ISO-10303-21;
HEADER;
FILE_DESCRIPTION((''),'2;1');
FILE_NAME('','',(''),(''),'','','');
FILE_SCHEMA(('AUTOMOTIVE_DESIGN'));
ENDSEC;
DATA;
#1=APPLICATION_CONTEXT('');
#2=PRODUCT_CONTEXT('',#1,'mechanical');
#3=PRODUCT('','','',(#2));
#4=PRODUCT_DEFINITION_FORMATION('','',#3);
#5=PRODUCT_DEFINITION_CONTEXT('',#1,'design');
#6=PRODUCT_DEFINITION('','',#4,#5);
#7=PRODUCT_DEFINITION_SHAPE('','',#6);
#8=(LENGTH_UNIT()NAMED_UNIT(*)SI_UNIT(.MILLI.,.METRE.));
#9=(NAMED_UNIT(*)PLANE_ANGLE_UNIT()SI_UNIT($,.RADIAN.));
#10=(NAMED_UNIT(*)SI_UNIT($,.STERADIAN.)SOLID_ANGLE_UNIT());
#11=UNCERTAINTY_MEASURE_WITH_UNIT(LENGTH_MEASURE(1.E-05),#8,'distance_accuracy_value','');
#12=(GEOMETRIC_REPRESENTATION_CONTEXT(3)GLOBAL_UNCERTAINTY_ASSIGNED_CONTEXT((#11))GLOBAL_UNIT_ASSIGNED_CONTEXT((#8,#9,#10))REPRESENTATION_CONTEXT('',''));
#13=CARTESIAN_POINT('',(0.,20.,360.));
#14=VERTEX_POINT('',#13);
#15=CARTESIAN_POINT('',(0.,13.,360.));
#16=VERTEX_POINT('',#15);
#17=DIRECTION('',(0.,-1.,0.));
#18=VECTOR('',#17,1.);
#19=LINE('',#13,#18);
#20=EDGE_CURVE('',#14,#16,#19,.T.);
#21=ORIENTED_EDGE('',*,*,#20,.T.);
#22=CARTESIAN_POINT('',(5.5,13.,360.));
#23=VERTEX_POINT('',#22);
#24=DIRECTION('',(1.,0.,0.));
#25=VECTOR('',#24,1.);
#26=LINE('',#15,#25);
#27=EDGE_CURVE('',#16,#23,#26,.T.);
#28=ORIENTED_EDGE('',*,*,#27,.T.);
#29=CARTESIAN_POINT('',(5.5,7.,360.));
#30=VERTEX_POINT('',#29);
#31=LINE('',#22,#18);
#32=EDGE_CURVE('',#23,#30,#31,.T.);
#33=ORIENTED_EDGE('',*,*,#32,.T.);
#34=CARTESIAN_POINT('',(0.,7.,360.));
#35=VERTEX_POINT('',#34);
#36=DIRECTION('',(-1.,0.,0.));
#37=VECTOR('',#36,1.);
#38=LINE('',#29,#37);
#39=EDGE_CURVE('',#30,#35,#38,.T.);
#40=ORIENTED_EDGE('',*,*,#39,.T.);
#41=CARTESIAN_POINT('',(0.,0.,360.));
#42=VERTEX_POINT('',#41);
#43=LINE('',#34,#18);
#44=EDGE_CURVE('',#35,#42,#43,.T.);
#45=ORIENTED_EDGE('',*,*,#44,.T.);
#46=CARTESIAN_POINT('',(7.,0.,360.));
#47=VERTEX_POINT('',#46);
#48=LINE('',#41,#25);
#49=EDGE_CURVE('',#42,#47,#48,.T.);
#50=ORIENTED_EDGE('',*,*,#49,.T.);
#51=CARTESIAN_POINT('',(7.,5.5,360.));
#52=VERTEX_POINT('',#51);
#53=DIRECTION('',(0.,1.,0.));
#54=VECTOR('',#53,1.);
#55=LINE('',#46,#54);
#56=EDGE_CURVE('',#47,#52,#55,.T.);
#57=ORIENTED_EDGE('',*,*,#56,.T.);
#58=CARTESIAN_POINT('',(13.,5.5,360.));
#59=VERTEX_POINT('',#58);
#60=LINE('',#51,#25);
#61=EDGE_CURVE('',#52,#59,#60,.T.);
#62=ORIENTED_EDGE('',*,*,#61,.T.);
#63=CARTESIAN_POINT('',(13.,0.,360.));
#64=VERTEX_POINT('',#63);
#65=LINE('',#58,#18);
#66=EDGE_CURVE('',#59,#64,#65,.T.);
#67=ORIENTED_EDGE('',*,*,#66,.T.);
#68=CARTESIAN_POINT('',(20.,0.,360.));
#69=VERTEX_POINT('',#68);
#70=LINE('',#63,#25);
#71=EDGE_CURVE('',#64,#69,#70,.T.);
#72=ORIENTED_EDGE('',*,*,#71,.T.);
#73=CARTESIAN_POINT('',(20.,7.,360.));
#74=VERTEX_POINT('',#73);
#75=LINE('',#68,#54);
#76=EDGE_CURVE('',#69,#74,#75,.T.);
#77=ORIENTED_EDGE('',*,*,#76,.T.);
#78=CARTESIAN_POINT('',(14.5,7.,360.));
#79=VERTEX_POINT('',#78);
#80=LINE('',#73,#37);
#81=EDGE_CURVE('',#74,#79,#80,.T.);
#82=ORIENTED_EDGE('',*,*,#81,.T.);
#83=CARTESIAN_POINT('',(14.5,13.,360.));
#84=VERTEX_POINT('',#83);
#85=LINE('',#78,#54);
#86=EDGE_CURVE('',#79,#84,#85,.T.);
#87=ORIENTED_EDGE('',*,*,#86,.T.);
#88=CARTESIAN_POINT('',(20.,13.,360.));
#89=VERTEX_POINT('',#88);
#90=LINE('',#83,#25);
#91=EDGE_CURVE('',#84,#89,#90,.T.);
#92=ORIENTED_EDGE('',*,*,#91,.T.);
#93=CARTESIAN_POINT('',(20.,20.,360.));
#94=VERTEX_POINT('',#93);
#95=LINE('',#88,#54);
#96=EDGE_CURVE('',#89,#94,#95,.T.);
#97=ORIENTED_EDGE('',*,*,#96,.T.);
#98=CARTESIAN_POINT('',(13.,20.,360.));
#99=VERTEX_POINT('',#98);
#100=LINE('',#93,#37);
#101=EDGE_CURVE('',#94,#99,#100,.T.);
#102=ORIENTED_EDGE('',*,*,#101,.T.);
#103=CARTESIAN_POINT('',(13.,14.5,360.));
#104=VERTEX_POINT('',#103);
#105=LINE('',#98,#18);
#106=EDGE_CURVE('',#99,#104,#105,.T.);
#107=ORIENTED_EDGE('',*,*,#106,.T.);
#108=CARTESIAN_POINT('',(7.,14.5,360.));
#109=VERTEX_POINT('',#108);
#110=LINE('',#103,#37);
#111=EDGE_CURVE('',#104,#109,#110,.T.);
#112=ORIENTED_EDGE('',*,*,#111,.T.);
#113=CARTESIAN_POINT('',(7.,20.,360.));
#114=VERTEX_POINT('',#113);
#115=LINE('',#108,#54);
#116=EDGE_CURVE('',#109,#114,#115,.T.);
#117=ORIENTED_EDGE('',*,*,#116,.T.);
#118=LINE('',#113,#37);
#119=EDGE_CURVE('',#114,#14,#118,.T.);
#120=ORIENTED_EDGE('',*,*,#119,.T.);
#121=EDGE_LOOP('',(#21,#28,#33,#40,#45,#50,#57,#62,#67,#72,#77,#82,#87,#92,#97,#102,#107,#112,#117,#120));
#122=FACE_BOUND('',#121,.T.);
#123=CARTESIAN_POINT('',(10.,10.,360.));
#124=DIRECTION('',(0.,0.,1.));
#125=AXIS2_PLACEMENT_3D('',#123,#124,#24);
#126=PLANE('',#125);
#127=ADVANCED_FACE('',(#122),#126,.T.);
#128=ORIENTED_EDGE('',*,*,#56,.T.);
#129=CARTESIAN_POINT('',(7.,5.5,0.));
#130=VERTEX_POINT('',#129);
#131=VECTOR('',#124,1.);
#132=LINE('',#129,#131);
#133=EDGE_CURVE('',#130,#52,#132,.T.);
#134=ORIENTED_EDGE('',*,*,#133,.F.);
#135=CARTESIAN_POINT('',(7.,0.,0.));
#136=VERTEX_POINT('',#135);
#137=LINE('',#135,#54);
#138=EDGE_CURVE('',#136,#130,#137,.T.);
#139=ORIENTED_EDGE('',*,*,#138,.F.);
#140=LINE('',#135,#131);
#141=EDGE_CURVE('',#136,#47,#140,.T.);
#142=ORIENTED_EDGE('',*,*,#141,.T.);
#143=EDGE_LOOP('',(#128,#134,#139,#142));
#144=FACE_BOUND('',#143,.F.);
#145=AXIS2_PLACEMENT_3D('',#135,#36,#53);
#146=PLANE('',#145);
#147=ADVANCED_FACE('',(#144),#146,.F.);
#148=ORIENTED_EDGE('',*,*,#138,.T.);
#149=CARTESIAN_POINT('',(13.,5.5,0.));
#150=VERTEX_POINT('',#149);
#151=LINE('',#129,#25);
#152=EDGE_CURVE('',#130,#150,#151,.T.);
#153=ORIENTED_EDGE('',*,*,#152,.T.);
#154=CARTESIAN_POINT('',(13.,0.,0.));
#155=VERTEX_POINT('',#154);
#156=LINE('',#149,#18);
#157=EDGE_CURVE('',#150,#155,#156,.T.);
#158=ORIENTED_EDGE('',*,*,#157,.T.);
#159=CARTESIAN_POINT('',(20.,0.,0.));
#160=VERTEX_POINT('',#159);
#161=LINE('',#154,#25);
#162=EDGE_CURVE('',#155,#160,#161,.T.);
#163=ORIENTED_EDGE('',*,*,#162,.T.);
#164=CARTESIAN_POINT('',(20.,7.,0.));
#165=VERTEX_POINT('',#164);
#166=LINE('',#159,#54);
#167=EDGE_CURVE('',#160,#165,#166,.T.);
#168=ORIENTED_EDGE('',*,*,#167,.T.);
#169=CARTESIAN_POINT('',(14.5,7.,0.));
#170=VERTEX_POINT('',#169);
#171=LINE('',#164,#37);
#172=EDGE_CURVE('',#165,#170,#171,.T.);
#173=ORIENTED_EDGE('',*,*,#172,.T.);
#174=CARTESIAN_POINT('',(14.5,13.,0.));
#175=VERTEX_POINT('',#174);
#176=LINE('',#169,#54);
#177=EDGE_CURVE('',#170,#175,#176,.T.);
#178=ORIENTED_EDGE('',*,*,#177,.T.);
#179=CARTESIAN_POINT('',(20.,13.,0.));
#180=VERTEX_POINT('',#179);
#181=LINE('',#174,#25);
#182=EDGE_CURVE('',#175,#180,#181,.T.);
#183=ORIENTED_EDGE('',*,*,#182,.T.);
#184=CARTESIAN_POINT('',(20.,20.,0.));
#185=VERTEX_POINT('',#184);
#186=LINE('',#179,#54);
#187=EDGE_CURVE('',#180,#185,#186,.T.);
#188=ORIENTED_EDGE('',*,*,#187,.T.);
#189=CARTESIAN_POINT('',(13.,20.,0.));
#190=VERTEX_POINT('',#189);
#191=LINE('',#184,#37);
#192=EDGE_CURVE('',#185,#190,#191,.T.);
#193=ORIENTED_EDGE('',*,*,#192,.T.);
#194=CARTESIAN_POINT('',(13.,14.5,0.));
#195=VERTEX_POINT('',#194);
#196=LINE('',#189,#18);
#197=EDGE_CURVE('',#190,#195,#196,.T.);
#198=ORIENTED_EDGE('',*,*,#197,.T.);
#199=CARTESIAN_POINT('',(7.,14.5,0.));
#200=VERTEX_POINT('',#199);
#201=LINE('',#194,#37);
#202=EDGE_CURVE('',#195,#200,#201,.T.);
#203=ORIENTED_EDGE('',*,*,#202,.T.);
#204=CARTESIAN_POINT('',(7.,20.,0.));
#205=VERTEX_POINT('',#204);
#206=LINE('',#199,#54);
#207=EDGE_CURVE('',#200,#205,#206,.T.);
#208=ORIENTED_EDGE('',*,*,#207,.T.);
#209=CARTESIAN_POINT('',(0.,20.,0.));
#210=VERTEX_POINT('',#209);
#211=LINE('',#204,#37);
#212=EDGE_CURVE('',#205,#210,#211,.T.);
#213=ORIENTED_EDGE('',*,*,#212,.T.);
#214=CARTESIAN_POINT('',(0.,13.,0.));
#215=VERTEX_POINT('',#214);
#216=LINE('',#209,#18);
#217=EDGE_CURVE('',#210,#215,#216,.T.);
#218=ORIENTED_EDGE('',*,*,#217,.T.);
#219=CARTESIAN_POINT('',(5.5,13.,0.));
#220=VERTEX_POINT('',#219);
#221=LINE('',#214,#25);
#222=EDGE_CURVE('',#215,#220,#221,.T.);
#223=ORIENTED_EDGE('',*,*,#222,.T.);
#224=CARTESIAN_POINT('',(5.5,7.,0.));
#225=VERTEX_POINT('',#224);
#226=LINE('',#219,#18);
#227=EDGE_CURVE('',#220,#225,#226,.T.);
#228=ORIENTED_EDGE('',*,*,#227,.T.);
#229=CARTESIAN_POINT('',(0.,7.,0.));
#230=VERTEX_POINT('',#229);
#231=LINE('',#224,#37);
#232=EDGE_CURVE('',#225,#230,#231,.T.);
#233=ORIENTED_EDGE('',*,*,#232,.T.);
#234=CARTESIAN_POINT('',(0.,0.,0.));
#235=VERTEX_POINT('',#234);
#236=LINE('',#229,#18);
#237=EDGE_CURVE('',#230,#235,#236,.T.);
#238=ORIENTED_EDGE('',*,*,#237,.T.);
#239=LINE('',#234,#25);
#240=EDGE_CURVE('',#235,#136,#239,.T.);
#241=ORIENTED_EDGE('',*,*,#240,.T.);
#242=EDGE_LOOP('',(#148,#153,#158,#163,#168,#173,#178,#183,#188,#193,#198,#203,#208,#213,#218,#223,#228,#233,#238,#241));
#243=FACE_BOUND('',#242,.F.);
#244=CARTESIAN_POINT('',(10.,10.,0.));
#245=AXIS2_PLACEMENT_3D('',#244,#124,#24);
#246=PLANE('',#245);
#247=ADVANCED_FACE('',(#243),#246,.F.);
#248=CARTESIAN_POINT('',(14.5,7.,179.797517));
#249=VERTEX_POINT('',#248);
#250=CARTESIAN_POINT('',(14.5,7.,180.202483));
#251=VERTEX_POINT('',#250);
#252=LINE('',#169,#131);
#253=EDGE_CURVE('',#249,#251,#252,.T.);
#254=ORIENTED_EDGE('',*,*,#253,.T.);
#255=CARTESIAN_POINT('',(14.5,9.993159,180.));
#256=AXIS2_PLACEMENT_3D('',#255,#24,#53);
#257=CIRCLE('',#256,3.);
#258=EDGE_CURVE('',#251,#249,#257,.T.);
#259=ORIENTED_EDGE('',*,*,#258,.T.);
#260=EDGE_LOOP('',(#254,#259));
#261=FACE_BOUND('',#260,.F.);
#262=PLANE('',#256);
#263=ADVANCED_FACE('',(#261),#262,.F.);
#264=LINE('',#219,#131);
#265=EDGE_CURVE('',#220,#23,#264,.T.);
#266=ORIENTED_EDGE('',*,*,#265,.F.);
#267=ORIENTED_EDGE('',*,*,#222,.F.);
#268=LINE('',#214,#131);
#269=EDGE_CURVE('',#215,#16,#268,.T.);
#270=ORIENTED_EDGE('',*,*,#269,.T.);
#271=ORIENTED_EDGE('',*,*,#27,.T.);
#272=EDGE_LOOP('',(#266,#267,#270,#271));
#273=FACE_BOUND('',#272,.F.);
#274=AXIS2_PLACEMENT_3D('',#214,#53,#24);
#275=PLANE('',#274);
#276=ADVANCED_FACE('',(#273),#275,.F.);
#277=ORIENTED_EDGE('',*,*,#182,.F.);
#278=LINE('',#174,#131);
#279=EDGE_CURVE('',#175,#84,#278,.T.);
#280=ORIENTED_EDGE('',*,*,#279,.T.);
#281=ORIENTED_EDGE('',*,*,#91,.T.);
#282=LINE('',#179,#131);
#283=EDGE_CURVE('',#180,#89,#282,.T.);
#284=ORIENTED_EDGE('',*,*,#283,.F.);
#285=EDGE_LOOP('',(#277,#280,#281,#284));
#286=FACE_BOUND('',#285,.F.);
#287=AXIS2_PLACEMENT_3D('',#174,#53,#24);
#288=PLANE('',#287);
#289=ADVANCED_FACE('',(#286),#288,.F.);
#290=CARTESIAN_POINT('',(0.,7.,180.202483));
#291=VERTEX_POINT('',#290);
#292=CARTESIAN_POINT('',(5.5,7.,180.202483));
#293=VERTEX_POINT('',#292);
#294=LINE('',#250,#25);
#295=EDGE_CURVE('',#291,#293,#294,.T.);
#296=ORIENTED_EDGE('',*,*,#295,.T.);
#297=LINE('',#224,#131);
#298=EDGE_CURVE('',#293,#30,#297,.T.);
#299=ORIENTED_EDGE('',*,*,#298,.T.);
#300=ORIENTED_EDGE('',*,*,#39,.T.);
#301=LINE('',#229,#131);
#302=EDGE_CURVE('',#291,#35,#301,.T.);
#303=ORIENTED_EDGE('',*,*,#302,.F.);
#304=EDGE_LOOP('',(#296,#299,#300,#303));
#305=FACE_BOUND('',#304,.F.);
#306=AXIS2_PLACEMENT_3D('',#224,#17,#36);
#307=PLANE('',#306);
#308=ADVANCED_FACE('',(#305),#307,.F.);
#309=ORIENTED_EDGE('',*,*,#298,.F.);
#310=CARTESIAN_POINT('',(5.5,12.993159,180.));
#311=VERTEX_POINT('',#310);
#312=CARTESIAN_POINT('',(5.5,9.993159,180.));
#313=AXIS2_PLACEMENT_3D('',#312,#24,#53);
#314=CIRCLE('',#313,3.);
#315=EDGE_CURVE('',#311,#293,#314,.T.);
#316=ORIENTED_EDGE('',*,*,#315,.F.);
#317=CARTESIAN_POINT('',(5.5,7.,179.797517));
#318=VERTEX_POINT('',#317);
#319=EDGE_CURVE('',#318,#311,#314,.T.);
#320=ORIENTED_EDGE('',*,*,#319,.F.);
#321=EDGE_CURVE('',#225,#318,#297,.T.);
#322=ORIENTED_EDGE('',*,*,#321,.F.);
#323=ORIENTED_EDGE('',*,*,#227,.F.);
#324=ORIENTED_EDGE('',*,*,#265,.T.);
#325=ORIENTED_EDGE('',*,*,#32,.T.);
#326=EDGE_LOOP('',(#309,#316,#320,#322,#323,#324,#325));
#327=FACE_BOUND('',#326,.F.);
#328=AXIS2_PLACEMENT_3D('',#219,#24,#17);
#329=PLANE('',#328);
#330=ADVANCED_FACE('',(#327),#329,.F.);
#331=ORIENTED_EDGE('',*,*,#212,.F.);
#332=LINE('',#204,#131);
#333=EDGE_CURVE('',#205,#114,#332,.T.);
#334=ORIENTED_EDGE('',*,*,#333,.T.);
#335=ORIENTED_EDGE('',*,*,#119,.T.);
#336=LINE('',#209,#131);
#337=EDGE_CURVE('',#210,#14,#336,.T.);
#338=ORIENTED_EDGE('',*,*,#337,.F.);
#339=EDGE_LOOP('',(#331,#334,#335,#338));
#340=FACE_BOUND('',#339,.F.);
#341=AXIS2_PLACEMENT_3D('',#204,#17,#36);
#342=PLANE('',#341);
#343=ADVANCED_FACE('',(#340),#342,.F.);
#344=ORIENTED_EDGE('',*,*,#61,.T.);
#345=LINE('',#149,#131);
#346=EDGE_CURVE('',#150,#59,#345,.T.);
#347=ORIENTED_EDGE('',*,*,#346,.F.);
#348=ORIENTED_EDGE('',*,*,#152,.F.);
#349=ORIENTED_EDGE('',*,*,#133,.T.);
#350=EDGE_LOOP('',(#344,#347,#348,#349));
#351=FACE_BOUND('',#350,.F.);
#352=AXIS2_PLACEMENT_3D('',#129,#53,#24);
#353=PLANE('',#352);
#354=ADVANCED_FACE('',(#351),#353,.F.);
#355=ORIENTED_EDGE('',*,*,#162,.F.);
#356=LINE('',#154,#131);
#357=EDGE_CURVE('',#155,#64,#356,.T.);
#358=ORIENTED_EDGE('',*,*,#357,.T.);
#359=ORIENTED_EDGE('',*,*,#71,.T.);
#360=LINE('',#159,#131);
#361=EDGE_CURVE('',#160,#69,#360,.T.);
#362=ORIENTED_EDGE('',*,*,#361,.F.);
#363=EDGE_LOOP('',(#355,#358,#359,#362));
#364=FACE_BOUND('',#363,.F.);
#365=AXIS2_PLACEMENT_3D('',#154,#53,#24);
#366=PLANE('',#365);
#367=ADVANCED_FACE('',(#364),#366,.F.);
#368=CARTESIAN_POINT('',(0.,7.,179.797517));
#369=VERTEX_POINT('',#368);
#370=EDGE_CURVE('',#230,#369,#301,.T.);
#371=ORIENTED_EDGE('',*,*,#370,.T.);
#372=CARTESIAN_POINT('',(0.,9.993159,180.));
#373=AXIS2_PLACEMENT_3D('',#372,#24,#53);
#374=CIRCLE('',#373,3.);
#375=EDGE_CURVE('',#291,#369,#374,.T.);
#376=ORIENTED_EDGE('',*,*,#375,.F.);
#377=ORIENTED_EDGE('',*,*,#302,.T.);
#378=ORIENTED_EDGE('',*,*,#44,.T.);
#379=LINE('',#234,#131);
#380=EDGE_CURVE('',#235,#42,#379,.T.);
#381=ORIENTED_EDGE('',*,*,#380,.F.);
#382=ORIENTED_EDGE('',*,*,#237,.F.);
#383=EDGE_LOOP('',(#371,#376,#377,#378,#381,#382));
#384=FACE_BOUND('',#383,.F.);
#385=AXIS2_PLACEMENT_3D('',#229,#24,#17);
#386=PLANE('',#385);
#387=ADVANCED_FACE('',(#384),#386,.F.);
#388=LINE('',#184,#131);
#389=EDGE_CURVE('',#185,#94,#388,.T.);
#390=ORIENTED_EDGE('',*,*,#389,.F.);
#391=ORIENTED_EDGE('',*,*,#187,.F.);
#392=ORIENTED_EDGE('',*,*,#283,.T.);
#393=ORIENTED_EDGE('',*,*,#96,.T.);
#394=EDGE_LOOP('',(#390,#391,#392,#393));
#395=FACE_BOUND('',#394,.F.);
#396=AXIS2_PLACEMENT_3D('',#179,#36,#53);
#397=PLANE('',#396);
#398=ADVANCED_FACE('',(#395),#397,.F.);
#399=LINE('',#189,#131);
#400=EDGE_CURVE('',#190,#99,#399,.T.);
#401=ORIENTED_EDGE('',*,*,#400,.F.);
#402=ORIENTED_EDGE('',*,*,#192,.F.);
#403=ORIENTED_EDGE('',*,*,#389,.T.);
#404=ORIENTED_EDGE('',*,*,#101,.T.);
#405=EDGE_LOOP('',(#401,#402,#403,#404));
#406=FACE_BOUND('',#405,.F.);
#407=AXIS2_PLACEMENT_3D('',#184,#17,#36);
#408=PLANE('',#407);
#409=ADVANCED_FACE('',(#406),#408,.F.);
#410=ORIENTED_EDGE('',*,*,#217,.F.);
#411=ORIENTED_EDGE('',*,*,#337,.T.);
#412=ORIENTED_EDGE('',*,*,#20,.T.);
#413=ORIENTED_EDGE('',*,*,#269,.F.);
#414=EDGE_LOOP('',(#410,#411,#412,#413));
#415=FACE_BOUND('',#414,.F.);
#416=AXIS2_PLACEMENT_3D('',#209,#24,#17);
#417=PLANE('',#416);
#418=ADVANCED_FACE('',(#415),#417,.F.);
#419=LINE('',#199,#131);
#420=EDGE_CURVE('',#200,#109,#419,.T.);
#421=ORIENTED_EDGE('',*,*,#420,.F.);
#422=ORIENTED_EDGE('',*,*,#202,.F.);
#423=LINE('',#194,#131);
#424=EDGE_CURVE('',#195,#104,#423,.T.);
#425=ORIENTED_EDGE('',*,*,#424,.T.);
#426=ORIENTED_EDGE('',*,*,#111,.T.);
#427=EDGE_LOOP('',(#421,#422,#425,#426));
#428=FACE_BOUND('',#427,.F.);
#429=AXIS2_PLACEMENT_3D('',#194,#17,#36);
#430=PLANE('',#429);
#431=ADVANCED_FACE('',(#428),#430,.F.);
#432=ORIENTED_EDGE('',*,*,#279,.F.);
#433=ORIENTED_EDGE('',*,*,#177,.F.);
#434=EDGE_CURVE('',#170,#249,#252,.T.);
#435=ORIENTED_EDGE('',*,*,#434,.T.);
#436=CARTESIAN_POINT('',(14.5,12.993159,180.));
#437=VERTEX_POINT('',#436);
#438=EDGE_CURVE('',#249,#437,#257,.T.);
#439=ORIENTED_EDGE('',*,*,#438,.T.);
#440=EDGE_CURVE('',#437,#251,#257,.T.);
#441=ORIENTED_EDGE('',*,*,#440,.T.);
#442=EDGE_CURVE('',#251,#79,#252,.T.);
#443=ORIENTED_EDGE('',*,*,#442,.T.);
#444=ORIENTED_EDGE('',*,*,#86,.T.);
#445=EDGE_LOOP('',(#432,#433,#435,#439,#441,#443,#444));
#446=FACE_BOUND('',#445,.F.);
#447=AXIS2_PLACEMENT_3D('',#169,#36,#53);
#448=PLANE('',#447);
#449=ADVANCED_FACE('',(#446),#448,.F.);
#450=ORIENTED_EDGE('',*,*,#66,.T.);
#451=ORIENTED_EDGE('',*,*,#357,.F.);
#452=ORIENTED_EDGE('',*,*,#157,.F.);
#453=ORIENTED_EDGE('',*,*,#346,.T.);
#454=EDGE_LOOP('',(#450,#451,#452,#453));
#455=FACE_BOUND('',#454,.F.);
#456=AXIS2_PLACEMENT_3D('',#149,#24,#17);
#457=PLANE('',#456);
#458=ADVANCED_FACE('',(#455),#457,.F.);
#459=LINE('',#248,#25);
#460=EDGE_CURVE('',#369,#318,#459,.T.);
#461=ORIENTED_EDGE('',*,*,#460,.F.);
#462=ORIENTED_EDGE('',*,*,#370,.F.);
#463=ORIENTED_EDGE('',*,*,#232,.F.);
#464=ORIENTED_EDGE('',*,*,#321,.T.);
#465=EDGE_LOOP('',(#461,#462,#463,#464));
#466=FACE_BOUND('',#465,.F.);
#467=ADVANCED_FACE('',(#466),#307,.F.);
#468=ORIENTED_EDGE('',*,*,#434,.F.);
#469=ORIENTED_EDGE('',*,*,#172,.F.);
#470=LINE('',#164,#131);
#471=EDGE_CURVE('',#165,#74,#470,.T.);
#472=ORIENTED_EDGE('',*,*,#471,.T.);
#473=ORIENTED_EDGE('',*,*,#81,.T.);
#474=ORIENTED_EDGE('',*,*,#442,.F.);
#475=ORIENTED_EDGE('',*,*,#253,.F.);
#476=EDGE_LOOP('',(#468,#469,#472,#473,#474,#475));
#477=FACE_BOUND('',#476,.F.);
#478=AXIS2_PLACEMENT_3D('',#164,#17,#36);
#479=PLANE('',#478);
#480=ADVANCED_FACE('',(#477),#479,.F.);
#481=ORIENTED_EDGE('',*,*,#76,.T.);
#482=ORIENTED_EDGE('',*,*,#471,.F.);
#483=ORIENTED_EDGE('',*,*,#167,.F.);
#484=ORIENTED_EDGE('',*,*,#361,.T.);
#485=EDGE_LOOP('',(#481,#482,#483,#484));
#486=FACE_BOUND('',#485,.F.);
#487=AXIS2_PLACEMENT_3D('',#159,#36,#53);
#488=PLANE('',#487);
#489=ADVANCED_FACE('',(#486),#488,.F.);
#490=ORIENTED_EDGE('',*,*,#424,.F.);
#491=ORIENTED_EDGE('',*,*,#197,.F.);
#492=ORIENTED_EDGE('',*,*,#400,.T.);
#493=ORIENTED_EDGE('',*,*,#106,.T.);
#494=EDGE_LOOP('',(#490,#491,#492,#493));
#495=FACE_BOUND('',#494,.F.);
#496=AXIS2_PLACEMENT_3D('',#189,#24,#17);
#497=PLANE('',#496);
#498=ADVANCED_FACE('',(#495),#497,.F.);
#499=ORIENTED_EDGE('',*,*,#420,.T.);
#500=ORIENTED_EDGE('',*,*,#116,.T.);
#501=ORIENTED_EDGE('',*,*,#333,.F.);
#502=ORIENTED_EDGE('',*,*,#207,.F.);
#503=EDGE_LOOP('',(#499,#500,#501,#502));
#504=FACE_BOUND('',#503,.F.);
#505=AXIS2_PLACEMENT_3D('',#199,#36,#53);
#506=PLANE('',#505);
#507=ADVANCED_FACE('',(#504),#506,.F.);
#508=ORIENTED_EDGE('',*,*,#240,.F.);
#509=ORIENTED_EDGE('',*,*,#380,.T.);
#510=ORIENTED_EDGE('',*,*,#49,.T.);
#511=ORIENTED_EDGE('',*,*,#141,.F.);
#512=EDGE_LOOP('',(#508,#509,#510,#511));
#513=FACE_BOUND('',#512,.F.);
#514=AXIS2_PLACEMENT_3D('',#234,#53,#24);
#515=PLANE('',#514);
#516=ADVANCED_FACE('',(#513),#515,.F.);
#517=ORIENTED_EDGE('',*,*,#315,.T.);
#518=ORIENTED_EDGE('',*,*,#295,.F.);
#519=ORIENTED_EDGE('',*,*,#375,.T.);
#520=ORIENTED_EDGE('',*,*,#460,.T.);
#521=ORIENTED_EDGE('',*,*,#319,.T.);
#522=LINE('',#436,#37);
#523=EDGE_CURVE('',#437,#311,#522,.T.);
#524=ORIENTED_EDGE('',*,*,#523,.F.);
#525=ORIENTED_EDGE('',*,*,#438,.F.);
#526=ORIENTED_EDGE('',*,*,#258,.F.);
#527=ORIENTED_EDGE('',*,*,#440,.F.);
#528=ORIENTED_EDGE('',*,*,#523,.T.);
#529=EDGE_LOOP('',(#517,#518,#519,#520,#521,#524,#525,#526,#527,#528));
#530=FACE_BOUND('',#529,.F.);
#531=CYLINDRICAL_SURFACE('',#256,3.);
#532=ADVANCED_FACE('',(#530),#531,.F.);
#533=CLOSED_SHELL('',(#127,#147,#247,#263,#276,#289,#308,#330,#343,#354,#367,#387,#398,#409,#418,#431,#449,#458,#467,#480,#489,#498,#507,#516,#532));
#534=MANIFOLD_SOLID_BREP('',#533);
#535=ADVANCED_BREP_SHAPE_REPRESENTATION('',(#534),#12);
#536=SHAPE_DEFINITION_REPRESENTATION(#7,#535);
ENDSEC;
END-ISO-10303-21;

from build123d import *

# Parameters (mm, degrees)
F1_DEPTH = 360
F2_R     = 3
F3_DEPTH = 25


with BuildPart() as f1:
    # F0 (on Top) → F1 (new body)
    with BuildSketch(Plane.XY):
        Polygon((0, 7), (0, 0), (7, 0), (7, 5.5), (13, 5.5), (13, 0), (20, 0), (20, 7), (14.5, 7), (14.5, 13), (20, 13), (20, 20), (13, 20), (13, 14.5), (7, 14.5), (7, 20), (0, 20), (0, 13), (5.5, 13), (5.5, 7), align=None)
    extrude(amount=F1_DEPTH)

    # F2 (on face) → F3 (cut)
    with BuildSketch(Plane.YZ.offset(14.5)):
        with Locations((9.993159, 180)):
            Circle(F2_R)
    extrude(amount=-F3_DEPTH, mode=Mode.SUBTRACT)


solid = f1.part
